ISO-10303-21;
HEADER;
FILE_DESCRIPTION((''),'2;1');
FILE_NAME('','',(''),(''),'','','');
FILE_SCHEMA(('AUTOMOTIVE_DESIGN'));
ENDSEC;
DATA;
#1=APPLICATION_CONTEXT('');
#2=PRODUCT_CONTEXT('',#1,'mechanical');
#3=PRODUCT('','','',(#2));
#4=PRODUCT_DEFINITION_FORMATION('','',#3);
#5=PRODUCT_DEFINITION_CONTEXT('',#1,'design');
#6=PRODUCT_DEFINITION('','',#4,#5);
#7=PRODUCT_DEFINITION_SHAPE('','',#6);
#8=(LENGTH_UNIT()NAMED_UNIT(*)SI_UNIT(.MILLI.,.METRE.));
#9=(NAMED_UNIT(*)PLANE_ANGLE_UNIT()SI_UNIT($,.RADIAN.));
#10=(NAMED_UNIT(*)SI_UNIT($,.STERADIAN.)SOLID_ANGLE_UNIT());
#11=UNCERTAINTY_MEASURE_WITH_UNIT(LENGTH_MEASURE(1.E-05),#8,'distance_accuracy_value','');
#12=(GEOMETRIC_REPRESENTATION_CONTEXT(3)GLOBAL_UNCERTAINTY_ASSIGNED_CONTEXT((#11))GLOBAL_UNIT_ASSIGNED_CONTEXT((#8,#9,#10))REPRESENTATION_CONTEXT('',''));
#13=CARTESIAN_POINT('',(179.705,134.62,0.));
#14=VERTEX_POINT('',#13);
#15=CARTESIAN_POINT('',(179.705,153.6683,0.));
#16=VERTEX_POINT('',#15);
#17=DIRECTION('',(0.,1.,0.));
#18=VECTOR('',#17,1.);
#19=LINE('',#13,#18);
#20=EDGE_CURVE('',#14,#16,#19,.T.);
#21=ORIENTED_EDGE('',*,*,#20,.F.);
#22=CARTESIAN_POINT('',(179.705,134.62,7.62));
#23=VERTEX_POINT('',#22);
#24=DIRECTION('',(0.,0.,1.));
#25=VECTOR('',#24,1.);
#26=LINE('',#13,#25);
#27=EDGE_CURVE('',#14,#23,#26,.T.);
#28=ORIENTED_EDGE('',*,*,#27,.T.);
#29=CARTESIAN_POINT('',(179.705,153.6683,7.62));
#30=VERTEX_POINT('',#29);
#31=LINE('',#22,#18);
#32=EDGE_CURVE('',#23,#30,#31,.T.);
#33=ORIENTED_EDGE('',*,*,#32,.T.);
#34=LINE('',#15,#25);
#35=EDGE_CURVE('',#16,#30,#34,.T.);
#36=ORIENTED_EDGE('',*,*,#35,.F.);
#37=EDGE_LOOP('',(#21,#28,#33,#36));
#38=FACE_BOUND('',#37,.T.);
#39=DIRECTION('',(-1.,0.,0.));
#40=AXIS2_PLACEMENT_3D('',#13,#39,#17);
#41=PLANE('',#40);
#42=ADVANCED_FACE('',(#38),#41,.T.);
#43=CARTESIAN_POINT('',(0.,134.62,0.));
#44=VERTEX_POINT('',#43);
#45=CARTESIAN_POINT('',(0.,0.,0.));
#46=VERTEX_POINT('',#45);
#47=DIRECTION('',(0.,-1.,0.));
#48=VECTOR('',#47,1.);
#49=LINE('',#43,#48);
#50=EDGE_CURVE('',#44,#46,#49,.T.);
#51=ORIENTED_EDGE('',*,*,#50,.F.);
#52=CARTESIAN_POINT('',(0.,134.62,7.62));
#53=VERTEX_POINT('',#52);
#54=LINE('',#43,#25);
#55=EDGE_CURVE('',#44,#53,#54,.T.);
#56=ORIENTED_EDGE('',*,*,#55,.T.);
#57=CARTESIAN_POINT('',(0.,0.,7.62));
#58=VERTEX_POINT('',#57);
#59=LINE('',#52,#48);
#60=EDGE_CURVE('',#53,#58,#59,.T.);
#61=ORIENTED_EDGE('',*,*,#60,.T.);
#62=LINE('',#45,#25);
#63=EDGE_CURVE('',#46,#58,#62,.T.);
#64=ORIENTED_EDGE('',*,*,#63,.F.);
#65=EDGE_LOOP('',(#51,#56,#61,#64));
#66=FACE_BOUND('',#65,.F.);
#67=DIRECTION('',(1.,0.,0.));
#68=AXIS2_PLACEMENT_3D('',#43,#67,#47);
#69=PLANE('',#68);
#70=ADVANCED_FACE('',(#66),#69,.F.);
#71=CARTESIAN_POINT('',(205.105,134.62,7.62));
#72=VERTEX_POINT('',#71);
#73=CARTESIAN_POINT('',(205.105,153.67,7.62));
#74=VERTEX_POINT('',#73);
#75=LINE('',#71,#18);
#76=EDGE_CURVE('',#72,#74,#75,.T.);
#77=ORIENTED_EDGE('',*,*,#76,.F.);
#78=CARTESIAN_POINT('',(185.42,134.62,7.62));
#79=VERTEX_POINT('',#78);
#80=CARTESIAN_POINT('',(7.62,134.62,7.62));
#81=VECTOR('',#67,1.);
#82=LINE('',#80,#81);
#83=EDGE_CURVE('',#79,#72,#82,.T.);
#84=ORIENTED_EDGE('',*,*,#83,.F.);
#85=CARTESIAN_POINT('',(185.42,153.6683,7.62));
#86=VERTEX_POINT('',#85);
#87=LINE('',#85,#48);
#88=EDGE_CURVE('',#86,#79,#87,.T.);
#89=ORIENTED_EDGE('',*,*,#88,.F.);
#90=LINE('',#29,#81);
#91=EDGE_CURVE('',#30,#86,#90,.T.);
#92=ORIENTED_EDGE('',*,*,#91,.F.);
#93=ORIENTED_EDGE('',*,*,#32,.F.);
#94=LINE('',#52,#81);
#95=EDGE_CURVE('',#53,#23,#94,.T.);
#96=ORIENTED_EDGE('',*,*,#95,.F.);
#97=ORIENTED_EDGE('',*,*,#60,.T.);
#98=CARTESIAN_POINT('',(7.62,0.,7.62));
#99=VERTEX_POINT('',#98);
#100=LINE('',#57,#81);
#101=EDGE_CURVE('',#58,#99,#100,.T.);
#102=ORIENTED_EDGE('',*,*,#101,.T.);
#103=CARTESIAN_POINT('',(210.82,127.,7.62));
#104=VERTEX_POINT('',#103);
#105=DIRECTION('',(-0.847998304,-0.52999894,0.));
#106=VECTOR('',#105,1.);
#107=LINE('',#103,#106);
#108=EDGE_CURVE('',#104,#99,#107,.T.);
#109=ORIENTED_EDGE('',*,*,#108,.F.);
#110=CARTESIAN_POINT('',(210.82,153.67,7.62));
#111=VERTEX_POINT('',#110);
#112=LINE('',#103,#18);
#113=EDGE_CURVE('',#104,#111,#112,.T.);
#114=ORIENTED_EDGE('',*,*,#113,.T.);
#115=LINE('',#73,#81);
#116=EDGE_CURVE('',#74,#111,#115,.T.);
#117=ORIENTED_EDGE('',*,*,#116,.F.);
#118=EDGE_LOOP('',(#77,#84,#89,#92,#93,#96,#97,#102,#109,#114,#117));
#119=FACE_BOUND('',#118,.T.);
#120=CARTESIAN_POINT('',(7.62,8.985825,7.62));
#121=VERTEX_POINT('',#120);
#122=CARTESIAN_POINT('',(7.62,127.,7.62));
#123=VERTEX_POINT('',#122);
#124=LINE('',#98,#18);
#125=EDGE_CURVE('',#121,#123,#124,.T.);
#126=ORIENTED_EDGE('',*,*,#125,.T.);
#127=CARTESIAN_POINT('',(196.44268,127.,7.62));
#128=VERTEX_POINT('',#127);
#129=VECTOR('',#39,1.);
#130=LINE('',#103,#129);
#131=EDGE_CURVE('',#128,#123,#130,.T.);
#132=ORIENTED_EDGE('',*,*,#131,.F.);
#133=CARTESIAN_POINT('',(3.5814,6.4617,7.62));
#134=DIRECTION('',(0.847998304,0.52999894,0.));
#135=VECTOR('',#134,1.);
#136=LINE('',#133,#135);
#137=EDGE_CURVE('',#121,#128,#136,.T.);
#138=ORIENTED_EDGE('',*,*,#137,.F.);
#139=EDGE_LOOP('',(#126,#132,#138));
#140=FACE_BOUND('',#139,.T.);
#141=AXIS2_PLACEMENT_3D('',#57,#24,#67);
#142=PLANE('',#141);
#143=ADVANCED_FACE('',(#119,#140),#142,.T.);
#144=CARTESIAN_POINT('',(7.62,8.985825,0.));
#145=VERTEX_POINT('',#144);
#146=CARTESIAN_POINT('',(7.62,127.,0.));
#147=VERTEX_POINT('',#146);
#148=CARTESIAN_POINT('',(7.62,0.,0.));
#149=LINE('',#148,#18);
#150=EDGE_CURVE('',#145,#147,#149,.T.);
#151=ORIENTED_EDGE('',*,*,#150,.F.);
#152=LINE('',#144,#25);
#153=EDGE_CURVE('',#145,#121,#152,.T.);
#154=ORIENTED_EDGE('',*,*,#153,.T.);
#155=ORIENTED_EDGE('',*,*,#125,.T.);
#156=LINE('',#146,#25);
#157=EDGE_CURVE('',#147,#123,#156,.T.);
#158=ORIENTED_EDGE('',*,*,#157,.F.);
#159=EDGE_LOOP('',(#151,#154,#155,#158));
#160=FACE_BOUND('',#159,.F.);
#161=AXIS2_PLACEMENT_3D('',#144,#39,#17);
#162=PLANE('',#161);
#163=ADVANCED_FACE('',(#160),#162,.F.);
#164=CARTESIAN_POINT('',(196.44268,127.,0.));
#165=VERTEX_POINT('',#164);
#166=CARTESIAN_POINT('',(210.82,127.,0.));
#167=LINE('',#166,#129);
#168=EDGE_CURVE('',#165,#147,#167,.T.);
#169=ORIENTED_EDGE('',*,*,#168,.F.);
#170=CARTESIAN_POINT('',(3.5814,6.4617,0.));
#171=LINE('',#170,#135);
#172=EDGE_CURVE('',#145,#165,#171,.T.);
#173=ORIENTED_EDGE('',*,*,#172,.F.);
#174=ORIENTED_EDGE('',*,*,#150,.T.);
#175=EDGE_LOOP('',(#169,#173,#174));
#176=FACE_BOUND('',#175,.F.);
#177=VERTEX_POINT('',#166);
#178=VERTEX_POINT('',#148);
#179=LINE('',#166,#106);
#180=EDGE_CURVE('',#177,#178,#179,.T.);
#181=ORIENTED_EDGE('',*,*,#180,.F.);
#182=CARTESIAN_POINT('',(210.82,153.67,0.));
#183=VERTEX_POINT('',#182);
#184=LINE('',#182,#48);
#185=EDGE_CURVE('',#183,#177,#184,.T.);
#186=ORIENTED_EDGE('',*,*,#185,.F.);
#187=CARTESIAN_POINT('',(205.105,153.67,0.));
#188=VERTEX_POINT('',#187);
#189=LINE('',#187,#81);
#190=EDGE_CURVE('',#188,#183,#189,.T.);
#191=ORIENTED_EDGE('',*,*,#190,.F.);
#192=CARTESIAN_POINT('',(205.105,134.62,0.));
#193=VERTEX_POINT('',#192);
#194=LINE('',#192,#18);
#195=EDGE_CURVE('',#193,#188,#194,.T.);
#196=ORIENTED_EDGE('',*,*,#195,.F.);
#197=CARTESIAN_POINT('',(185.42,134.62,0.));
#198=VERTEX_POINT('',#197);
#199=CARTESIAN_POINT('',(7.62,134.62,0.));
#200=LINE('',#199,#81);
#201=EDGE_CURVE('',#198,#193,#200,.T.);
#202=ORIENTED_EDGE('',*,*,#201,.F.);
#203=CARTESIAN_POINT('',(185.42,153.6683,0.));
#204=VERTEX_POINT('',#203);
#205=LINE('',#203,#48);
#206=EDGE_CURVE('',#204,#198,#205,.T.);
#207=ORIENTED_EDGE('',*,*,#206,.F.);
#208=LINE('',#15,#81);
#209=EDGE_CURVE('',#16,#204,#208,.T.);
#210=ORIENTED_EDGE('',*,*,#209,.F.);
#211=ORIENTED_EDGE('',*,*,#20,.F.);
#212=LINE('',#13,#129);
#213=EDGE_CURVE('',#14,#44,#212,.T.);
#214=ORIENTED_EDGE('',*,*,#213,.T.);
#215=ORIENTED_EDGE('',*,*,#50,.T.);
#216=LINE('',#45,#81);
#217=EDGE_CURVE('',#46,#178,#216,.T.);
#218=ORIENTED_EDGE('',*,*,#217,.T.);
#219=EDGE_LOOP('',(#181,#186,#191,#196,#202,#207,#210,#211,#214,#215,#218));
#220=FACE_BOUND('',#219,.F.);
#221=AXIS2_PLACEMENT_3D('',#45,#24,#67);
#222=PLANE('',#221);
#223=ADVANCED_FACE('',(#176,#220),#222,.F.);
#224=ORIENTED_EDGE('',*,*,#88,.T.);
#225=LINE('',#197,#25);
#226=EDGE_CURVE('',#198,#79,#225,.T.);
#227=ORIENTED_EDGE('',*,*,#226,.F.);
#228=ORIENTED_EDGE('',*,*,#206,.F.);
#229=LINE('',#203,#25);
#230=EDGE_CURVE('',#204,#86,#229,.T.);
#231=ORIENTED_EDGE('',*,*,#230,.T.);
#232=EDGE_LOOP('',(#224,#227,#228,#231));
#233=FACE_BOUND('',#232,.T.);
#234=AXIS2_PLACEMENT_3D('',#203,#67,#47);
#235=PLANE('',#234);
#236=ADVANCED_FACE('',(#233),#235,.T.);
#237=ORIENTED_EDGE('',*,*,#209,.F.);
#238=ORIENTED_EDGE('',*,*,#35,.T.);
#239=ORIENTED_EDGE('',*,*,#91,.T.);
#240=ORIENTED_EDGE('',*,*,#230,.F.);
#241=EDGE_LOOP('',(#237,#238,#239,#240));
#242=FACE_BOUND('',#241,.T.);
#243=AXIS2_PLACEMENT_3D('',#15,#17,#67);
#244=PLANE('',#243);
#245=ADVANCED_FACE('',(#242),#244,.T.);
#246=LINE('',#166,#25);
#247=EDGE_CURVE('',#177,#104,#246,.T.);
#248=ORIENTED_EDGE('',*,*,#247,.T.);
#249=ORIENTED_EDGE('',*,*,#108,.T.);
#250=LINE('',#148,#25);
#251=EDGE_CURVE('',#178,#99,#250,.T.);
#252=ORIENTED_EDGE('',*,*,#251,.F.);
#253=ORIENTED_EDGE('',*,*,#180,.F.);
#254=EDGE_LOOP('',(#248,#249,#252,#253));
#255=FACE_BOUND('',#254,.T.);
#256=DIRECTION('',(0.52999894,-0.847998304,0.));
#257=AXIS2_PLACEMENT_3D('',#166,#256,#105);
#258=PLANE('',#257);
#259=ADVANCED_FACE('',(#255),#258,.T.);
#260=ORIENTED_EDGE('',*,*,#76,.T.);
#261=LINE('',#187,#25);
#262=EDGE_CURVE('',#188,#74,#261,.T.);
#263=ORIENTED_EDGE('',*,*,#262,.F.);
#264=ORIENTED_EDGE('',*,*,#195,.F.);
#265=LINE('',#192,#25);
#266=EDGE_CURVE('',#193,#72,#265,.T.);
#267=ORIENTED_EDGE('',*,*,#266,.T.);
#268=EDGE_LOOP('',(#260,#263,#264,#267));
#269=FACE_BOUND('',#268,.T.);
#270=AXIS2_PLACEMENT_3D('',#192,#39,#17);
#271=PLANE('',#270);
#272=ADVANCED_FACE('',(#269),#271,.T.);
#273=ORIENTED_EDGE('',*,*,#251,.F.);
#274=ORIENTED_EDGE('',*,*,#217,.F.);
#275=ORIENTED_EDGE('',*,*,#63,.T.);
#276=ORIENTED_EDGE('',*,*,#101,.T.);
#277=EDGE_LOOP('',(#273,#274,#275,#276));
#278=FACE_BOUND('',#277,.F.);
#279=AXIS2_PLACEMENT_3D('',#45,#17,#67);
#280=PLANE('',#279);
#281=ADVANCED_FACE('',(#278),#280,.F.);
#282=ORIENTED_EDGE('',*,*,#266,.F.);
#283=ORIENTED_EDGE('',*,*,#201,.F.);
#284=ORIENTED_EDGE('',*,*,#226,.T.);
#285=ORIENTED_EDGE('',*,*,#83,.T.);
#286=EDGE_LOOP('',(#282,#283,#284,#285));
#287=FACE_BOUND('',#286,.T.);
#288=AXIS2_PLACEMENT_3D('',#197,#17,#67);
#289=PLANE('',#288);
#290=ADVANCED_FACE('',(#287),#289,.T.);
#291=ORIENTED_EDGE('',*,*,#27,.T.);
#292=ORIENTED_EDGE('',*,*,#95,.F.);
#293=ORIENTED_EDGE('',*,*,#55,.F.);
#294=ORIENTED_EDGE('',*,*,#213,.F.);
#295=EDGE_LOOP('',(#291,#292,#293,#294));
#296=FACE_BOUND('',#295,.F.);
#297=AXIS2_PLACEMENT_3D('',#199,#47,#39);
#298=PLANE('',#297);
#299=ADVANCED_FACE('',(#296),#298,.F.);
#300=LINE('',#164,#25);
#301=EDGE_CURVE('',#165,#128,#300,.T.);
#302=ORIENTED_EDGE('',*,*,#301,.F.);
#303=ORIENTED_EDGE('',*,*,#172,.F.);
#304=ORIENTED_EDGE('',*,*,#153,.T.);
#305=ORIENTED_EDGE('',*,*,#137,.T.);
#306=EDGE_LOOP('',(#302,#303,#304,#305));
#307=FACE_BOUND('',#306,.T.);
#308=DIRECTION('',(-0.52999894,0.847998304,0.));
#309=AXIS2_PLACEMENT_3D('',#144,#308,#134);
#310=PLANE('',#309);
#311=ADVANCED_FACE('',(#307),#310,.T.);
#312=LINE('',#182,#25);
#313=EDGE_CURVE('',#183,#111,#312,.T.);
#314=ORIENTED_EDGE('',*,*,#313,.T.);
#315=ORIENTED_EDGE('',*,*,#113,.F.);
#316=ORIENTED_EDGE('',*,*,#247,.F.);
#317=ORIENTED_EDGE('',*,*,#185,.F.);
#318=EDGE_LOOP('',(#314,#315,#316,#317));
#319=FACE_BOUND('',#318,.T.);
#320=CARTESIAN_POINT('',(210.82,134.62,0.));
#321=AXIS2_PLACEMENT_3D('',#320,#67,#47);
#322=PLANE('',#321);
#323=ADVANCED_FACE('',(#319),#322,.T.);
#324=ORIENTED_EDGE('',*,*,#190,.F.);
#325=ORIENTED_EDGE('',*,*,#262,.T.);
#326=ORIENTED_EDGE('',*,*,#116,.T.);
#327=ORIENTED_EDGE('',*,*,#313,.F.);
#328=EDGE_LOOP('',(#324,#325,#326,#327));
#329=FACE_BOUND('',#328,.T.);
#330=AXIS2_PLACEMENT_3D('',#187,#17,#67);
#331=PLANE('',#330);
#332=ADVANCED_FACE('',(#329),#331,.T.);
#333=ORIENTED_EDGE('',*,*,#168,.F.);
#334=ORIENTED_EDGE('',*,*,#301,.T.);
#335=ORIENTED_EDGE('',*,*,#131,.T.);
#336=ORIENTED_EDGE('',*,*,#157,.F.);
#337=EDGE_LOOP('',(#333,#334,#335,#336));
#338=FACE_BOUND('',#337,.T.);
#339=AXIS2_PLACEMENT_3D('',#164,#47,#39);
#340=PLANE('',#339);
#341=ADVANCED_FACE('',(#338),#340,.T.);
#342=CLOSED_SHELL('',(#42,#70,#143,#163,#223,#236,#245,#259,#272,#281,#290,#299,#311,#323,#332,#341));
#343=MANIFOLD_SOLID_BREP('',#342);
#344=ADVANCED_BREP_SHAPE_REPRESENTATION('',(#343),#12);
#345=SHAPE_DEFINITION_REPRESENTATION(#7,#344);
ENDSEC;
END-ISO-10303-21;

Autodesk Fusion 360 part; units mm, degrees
sketch "Sketch1" plane through (0, 0, 0) normal (0, 0, 1) x (1, 0, 0)
  line L0 (0, 0) -> (7.62, 0)
  line L1 (7.62, 0) -> (7.62, 134.62)
  line L2 (7.62, 134.62) -> (0, 134.62)
  line L3 (0, 134.62) -> (0, 0)
  line L4 (7.62, 134.62) -> (210.82, 134.62)
  line L5 (210.82, 134.62) -> (210.82, 127)
  line L6 (210.82, 127) -> (7.62, 127)
  line L7 (7.62, 127) -> (7.62, 134.62)
  line L8 (210.82, 127) -> (7.62, 0)
  line L9 (7.62, 0) -> (3.5814, 6.4617)
  line L10 (3.5814, 6.4617) -> (206.7814, 133.4617)
  line L11 (206.7814, 133.4617) -> (210.82, 127)
  line L12 (210.82, 134.62) -> (205.105, 134.62)
  line L13 (205.105, 134.62) -> (205.105, 153.67)
  line L14 (205.105, 153.67) -> (210.82, 153.67)
  line L15 (210.82, 153.67) -> (210.82, 134.62)
  line L16 (185.42, 134.62) -> (179.705, 134.62)
  line L17 (179.705, 134.62) -> (179.705, 153.6683)
  line L18 (179.705, 153.6683) -> (185.42, 153.6683)
  line L19 (185.42, 153.6683) -> (185.42, 134.62)
  dimension "d1" = 134.62
  dimension "d2" = 7.62
  dimension "d3" = 203.2
  dimension "d4" = 7.62
  dimension "d5" = 5.715
  dimension "d6" = 19.05
  dimension "d7" = 19.0483
  dimension "d8" = 5.715
extrude "Extrude1" add sketch "Sketch1" along normal blind 7.62 contours L0 L1 L2 L3 L7 L9 L10 | L1 L9 L10 | L1 L6 L8 L10 | L1 L4 L5 L6 L7 L10 L11 L12 L16 | L6 L10 L11 | L4 L12 L13 L14 L15 | L4 L16 L17 L18 L19
